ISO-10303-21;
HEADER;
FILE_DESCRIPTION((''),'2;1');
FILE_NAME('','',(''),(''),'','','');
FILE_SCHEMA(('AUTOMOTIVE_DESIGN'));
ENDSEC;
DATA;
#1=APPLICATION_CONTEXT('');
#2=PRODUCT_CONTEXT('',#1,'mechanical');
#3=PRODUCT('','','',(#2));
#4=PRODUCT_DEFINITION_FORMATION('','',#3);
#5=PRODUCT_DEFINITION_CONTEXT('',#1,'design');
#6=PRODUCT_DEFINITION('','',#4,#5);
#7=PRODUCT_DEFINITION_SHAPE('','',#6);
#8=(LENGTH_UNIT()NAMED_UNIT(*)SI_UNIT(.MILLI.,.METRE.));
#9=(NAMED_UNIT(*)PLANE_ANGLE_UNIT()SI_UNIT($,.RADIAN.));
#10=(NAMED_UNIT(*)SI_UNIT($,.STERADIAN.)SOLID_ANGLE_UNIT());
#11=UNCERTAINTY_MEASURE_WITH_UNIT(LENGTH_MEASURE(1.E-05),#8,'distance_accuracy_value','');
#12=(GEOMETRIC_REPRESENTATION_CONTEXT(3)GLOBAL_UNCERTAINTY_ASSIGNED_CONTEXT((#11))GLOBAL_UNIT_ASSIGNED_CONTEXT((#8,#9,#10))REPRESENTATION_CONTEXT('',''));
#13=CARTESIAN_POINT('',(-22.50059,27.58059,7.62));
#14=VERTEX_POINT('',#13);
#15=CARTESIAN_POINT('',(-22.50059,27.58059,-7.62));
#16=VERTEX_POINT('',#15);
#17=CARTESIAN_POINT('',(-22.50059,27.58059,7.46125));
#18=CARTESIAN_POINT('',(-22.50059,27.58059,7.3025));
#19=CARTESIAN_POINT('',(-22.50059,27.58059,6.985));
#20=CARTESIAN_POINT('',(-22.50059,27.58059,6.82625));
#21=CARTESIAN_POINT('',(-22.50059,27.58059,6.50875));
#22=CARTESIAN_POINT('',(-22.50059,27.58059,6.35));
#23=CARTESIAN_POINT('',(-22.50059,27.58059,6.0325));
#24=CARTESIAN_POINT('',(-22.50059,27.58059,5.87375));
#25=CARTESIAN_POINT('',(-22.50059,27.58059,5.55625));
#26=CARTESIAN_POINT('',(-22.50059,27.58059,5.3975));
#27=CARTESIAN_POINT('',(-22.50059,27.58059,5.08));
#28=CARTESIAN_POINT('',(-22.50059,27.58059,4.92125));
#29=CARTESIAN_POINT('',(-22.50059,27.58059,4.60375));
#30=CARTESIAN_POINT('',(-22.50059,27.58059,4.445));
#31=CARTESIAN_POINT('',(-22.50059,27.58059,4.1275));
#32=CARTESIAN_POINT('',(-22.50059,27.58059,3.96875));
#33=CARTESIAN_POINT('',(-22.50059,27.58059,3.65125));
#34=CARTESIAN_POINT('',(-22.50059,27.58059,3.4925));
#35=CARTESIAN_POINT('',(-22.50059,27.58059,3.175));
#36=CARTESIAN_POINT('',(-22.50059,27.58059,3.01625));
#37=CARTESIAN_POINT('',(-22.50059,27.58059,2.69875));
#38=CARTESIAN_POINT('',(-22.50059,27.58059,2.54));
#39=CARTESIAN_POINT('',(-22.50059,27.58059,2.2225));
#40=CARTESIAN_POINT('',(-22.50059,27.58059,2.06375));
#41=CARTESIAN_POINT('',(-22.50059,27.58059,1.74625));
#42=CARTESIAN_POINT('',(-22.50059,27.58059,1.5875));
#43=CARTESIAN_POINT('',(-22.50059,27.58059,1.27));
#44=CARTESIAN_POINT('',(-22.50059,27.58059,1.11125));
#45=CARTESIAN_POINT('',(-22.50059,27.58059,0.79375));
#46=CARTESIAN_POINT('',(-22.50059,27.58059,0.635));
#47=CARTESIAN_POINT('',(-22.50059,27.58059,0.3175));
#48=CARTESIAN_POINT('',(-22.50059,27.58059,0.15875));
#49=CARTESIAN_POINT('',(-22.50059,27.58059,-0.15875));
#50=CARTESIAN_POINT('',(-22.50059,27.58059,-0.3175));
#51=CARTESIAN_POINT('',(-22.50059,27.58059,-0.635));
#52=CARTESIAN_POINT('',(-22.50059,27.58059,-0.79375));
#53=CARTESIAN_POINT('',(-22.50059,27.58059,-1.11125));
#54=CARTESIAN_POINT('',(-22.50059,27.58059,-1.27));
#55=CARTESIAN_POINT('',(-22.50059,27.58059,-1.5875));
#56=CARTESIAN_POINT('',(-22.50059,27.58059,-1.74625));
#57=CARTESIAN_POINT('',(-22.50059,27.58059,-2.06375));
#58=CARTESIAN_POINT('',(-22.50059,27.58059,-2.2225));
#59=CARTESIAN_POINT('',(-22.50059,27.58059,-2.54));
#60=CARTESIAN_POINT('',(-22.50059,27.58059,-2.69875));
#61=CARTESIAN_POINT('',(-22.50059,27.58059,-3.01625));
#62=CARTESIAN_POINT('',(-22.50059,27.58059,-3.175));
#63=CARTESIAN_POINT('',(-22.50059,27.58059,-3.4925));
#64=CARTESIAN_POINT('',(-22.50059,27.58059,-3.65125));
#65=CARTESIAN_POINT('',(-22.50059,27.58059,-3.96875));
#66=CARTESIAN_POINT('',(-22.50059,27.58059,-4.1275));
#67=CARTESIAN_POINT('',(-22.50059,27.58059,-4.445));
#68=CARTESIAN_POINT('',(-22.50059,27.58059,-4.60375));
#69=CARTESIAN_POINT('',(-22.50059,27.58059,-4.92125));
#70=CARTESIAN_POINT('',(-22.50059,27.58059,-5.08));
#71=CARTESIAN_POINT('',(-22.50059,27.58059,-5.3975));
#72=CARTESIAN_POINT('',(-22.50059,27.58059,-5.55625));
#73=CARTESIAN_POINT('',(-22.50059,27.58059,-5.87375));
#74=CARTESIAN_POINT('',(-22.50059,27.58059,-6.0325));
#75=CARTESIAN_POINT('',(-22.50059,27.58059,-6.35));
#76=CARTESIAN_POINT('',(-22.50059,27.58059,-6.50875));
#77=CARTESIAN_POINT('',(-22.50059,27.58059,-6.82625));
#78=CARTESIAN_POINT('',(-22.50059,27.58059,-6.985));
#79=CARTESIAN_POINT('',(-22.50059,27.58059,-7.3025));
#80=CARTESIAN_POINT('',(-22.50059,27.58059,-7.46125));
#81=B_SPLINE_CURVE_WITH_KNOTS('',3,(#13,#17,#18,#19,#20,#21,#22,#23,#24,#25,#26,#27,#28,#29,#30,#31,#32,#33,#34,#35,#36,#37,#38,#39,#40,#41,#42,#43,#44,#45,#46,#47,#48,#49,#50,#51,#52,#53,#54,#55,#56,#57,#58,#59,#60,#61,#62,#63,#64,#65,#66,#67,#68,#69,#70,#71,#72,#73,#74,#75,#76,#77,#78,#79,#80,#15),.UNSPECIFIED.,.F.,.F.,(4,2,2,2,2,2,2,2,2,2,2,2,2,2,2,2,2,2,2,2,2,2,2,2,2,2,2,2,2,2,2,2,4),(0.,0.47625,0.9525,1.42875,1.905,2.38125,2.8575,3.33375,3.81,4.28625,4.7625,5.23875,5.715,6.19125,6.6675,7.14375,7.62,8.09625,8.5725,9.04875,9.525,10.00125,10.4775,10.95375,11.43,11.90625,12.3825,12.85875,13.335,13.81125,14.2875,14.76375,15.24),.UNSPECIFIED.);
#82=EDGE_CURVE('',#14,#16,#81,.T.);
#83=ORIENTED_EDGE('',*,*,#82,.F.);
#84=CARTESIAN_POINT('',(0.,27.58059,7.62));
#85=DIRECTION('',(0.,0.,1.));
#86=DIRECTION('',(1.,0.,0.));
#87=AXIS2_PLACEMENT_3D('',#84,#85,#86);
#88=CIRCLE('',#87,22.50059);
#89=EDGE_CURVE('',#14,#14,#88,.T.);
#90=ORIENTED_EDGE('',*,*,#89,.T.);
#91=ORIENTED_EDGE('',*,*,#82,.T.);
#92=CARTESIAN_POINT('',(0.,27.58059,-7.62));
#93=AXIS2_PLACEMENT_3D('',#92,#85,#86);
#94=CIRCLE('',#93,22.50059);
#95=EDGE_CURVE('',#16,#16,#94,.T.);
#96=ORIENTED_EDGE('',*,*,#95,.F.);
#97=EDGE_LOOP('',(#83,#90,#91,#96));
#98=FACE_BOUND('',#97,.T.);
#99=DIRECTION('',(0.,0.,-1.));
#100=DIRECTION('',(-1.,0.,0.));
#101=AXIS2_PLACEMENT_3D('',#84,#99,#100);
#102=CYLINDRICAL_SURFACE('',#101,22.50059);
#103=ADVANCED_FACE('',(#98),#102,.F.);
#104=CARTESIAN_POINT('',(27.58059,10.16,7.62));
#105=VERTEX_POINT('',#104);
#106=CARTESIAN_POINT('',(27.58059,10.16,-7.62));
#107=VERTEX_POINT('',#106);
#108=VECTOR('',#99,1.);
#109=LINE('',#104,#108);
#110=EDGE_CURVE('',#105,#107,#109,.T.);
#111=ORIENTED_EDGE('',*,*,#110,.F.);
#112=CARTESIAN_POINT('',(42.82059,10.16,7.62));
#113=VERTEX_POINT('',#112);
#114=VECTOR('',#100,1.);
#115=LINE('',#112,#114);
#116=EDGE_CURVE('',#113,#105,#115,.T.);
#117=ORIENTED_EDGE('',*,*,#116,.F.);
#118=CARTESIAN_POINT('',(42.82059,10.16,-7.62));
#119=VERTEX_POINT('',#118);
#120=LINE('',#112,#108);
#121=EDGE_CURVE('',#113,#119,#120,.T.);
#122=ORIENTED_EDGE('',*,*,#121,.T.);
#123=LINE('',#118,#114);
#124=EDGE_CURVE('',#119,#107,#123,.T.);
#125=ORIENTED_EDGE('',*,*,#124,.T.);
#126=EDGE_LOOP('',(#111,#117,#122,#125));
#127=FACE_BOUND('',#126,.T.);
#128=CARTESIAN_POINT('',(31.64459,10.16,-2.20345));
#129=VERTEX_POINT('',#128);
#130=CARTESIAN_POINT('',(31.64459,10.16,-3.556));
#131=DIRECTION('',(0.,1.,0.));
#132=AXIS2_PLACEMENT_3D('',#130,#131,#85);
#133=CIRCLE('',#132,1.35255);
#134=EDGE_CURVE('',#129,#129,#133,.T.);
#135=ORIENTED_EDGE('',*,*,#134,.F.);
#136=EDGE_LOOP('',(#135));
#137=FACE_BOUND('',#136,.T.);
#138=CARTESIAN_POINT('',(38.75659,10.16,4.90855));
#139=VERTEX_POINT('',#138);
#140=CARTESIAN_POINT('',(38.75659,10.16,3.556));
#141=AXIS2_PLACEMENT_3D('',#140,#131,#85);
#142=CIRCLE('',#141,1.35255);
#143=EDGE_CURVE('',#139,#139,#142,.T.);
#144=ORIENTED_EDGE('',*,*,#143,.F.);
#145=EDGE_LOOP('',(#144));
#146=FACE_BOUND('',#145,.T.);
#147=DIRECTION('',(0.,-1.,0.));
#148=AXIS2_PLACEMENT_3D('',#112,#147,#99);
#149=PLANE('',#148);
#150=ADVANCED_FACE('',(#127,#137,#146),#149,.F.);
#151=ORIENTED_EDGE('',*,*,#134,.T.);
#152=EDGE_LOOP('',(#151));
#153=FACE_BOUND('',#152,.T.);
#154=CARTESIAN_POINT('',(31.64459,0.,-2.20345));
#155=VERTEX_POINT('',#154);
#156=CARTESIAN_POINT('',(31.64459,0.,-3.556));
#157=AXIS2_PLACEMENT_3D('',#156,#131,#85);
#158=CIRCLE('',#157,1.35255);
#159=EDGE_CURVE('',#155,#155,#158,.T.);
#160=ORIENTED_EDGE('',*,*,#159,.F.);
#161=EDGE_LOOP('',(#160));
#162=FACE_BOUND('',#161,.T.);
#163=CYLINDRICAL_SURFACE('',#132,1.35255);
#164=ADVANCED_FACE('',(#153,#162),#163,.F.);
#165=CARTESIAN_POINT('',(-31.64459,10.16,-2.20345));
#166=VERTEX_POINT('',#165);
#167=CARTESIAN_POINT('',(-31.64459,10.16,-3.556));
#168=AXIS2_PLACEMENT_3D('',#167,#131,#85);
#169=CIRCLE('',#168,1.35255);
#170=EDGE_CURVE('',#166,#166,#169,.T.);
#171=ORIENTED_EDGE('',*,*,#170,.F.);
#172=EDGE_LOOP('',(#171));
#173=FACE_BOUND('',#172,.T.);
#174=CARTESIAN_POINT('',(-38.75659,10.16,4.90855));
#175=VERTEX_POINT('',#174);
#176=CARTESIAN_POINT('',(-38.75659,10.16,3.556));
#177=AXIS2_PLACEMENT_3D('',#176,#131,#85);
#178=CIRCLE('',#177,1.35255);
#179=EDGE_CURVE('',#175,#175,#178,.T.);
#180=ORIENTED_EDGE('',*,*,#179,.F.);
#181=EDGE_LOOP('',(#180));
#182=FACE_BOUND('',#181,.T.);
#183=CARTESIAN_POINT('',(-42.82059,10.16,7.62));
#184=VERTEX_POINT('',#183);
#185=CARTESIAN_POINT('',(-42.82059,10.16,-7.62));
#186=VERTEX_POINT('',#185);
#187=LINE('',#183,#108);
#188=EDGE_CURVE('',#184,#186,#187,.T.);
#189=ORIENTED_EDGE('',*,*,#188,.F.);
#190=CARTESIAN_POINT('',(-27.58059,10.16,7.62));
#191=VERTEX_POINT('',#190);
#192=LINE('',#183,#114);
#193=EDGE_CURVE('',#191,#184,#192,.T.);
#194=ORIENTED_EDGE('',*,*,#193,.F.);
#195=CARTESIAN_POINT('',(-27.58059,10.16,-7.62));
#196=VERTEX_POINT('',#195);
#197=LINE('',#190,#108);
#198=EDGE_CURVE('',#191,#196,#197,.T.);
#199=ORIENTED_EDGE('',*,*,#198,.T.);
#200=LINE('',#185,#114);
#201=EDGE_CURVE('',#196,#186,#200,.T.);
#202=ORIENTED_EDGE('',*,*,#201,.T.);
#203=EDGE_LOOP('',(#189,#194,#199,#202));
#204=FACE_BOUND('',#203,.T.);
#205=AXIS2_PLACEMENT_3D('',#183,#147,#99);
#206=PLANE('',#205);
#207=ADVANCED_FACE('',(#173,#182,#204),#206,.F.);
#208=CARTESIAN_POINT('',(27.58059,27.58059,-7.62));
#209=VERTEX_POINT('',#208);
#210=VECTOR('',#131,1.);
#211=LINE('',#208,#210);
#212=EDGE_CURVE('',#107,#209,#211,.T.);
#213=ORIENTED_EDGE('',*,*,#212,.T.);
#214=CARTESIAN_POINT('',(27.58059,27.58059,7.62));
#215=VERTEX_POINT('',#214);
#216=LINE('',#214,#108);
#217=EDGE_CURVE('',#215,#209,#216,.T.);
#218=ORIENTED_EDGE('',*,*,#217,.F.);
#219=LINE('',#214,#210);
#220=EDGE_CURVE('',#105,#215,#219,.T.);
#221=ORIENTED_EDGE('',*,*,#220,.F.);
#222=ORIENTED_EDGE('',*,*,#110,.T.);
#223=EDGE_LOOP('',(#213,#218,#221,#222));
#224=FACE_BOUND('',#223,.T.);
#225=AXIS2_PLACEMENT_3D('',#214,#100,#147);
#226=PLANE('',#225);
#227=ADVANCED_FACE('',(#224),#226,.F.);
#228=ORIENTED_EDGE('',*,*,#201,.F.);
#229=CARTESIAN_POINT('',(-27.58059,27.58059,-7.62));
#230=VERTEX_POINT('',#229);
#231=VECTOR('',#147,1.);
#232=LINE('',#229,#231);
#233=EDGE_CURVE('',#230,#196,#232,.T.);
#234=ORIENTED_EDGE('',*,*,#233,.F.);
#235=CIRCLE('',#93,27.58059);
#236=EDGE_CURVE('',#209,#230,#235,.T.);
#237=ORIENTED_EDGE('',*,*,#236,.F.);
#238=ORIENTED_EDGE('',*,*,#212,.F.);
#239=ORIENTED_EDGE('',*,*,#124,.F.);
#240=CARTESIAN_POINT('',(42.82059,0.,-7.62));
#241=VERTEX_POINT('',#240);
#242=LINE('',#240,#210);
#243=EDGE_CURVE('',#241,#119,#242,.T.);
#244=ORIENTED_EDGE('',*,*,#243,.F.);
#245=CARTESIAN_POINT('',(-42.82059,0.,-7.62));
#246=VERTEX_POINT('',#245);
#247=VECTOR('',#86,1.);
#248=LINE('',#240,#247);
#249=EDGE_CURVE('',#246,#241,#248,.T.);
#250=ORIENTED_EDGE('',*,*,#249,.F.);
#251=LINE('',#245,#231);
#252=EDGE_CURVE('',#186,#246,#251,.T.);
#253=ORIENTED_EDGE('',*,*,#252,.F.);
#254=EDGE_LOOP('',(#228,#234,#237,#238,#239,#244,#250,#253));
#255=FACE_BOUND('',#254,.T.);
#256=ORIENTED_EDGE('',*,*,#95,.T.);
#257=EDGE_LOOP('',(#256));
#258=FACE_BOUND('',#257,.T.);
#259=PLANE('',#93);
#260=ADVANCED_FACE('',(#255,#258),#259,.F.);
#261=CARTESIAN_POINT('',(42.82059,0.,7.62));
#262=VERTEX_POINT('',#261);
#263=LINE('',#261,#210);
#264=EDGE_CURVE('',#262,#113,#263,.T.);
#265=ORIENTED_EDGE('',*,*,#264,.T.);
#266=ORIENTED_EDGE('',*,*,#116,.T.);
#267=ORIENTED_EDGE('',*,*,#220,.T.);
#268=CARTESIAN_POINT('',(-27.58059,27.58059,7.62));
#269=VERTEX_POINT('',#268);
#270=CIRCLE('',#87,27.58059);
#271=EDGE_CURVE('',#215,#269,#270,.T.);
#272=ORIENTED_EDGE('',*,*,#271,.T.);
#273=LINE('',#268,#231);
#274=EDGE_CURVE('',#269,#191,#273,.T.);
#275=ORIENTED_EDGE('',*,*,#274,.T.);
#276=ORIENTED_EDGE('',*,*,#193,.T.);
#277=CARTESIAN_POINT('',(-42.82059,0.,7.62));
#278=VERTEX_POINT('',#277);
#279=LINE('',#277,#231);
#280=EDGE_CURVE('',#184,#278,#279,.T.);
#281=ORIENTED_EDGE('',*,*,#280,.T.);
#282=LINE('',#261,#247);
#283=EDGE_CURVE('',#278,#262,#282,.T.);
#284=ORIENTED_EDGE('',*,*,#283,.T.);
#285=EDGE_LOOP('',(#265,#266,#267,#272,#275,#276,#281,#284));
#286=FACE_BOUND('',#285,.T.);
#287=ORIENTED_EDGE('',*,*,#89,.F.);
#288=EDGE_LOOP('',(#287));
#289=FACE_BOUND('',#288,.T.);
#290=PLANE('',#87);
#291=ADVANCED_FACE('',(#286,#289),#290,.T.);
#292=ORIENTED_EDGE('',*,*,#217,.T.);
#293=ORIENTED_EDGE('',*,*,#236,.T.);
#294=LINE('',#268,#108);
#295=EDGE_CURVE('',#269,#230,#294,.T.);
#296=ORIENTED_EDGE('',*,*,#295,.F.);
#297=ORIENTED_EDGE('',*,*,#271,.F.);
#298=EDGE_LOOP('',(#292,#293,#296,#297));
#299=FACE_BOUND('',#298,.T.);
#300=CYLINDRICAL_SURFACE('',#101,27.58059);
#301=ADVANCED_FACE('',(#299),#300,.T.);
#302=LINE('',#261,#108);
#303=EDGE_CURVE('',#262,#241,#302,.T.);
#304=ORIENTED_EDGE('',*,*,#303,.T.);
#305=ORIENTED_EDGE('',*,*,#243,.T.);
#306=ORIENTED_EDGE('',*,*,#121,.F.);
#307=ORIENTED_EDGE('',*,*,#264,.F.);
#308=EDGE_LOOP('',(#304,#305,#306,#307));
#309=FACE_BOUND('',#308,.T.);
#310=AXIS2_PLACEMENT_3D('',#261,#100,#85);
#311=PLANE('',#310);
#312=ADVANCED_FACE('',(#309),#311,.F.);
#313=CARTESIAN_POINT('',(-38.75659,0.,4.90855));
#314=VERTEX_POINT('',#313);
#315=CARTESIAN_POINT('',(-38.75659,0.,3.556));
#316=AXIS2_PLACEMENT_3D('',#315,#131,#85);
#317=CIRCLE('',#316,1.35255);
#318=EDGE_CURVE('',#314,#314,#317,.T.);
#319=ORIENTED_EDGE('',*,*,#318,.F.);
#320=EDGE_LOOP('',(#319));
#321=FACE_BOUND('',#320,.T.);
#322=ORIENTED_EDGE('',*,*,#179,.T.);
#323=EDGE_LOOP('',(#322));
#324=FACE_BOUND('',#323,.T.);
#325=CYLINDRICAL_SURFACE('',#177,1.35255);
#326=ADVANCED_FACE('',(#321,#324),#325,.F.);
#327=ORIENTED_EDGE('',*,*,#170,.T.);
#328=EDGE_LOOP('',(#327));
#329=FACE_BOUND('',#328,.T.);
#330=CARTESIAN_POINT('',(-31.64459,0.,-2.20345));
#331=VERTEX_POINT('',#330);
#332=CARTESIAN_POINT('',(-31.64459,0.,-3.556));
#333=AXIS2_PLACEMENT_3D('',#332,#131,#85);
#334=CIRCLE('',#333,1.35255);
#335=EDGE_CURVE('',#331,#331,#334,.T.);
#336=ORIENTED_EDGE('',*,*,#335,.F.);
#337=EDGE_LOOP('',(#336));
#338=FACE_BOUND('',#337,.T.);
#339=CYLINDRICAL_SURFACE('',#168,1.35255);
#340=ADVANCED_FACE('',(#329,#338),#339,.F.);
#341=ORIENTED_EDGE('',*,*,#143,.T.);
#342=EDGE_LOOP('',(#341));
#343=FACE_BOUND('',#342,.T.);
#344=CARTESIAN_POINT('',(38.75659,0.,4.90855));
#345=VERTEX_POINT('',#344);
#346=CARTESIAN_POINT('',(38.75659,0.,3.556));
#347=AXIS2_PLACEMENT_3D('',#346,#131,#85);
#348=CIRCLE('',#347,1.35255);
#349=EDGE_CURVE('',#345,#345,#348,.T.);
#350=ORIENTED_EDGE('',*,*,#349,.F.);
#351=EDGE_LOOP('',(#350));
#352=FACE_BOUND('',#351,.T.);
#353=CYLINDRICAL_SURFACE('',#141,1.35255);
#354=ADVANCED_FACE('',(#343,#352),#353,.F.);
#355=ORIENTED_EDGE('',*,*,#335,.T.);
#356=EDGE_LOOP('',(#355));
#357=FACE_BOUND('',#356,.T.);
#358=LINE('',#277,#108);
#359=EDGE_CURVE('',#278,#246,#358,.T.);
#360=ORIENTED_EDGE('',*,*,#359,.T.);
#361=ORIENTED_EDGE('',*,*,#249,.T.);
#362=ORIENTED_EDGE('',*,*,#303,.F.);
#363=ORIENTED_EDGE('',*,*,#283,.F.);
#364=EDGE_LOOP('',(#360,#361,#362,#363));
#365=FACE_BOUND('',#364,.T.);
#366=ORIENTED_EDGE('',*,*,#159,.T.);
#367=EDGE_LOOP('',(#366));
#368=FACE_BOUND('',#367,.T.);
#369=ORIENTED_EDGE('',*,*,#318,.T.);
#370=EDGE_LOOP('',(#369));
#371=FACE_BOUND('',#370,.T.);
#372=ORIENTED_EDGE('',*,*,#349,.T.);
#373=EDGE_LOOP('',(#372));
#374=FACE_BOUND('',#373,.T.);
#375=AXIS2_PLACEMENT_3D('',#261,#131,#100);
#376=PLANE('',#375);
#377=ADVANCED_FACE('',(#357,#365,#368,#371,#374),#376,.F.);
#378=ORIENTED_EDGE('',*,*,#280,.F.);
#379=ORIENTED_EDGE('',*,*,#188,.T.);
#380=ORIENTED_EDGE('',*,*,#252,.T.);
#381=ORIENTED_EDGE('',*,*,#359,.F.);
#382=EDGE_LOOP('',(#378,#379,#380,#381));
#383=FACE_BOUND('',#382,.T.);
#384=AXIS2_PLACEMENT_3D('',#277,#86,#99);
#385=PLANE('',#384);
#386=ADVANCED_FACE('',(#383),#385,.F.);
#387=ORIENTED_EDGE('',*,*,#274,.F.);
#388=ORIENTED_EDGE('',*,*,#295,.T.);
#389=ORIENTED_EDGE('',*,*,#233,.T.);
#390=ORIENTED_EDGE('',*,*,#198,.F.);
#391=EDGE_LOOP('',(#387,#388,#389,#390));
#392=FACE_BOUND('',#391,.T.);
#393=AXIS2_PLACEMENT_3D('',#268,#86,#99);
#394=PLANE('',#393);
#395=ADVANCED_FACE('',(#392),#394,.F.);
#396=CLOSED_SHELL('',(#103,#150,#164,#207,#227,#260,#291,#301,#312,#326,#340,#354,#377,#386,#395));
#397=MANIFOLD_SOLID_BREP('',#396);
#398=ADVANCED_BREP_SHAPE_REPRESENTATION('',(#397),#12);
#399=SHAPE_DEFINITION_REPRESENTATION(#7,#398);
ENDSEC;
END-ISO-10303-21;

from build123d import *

# Parameters (mm, degrees)
SKETCH2_R                 = 22.50059
BOSS_EXTRUDE1_DEPTH       = 7.62
TAP_DRILL_FOR_6_32_TAP1_D = 2.7051


with BuildPart() as part:
    # Sketch2 → Boss-Extrude1 (new, symmetric)
    with BuildSketch(Plane.XY):
        with BuildLine():
            Line((-27.58059, 27.58059), (-27.58059, 10.16))
            Line((-27.58059, 10.16), (-42.82059, 10.16))
            Line((-42.82059, 10.16), (-42.82059, 0))
            Line((-42.82059, 0), (42.82059, 0))
            Line((42.82059, 0), (42.82059, 10.16))
            Line((42.82059, 10.16), (27.58059, 10.16))
            Line((27.58059, 10.16), (27.58059, 27.58059))
            ThreePointArc((27.58059, 27.58059), (0, 55.16118), (-27.58059, 27.58059))
        make_face()
        with Locations(Location((0, 27.58059, 0), (0, 0, 180))):
            Circle(SKETCH2_R, mode=Mode.SUBTRACT)
    extrude(amount=BOSS_EXTRUDE1_DEPTH, both=True)

    # Tap Drill for #6-32 Tap1 (through all)
    with Locations(Plane(origin=(0, 10.16, 0), x_dir=(1, 0, 0), z_dir=(0, 1, 0))):
        with Locations((-38.75659, -3.556), (-31.64459, 3.556), (31.64459, 3.556), (38.75659, -3.556)):
            Hole(TAP_DRILL_FOR_6_32_TAP1_D / 2)


solid = part.part
